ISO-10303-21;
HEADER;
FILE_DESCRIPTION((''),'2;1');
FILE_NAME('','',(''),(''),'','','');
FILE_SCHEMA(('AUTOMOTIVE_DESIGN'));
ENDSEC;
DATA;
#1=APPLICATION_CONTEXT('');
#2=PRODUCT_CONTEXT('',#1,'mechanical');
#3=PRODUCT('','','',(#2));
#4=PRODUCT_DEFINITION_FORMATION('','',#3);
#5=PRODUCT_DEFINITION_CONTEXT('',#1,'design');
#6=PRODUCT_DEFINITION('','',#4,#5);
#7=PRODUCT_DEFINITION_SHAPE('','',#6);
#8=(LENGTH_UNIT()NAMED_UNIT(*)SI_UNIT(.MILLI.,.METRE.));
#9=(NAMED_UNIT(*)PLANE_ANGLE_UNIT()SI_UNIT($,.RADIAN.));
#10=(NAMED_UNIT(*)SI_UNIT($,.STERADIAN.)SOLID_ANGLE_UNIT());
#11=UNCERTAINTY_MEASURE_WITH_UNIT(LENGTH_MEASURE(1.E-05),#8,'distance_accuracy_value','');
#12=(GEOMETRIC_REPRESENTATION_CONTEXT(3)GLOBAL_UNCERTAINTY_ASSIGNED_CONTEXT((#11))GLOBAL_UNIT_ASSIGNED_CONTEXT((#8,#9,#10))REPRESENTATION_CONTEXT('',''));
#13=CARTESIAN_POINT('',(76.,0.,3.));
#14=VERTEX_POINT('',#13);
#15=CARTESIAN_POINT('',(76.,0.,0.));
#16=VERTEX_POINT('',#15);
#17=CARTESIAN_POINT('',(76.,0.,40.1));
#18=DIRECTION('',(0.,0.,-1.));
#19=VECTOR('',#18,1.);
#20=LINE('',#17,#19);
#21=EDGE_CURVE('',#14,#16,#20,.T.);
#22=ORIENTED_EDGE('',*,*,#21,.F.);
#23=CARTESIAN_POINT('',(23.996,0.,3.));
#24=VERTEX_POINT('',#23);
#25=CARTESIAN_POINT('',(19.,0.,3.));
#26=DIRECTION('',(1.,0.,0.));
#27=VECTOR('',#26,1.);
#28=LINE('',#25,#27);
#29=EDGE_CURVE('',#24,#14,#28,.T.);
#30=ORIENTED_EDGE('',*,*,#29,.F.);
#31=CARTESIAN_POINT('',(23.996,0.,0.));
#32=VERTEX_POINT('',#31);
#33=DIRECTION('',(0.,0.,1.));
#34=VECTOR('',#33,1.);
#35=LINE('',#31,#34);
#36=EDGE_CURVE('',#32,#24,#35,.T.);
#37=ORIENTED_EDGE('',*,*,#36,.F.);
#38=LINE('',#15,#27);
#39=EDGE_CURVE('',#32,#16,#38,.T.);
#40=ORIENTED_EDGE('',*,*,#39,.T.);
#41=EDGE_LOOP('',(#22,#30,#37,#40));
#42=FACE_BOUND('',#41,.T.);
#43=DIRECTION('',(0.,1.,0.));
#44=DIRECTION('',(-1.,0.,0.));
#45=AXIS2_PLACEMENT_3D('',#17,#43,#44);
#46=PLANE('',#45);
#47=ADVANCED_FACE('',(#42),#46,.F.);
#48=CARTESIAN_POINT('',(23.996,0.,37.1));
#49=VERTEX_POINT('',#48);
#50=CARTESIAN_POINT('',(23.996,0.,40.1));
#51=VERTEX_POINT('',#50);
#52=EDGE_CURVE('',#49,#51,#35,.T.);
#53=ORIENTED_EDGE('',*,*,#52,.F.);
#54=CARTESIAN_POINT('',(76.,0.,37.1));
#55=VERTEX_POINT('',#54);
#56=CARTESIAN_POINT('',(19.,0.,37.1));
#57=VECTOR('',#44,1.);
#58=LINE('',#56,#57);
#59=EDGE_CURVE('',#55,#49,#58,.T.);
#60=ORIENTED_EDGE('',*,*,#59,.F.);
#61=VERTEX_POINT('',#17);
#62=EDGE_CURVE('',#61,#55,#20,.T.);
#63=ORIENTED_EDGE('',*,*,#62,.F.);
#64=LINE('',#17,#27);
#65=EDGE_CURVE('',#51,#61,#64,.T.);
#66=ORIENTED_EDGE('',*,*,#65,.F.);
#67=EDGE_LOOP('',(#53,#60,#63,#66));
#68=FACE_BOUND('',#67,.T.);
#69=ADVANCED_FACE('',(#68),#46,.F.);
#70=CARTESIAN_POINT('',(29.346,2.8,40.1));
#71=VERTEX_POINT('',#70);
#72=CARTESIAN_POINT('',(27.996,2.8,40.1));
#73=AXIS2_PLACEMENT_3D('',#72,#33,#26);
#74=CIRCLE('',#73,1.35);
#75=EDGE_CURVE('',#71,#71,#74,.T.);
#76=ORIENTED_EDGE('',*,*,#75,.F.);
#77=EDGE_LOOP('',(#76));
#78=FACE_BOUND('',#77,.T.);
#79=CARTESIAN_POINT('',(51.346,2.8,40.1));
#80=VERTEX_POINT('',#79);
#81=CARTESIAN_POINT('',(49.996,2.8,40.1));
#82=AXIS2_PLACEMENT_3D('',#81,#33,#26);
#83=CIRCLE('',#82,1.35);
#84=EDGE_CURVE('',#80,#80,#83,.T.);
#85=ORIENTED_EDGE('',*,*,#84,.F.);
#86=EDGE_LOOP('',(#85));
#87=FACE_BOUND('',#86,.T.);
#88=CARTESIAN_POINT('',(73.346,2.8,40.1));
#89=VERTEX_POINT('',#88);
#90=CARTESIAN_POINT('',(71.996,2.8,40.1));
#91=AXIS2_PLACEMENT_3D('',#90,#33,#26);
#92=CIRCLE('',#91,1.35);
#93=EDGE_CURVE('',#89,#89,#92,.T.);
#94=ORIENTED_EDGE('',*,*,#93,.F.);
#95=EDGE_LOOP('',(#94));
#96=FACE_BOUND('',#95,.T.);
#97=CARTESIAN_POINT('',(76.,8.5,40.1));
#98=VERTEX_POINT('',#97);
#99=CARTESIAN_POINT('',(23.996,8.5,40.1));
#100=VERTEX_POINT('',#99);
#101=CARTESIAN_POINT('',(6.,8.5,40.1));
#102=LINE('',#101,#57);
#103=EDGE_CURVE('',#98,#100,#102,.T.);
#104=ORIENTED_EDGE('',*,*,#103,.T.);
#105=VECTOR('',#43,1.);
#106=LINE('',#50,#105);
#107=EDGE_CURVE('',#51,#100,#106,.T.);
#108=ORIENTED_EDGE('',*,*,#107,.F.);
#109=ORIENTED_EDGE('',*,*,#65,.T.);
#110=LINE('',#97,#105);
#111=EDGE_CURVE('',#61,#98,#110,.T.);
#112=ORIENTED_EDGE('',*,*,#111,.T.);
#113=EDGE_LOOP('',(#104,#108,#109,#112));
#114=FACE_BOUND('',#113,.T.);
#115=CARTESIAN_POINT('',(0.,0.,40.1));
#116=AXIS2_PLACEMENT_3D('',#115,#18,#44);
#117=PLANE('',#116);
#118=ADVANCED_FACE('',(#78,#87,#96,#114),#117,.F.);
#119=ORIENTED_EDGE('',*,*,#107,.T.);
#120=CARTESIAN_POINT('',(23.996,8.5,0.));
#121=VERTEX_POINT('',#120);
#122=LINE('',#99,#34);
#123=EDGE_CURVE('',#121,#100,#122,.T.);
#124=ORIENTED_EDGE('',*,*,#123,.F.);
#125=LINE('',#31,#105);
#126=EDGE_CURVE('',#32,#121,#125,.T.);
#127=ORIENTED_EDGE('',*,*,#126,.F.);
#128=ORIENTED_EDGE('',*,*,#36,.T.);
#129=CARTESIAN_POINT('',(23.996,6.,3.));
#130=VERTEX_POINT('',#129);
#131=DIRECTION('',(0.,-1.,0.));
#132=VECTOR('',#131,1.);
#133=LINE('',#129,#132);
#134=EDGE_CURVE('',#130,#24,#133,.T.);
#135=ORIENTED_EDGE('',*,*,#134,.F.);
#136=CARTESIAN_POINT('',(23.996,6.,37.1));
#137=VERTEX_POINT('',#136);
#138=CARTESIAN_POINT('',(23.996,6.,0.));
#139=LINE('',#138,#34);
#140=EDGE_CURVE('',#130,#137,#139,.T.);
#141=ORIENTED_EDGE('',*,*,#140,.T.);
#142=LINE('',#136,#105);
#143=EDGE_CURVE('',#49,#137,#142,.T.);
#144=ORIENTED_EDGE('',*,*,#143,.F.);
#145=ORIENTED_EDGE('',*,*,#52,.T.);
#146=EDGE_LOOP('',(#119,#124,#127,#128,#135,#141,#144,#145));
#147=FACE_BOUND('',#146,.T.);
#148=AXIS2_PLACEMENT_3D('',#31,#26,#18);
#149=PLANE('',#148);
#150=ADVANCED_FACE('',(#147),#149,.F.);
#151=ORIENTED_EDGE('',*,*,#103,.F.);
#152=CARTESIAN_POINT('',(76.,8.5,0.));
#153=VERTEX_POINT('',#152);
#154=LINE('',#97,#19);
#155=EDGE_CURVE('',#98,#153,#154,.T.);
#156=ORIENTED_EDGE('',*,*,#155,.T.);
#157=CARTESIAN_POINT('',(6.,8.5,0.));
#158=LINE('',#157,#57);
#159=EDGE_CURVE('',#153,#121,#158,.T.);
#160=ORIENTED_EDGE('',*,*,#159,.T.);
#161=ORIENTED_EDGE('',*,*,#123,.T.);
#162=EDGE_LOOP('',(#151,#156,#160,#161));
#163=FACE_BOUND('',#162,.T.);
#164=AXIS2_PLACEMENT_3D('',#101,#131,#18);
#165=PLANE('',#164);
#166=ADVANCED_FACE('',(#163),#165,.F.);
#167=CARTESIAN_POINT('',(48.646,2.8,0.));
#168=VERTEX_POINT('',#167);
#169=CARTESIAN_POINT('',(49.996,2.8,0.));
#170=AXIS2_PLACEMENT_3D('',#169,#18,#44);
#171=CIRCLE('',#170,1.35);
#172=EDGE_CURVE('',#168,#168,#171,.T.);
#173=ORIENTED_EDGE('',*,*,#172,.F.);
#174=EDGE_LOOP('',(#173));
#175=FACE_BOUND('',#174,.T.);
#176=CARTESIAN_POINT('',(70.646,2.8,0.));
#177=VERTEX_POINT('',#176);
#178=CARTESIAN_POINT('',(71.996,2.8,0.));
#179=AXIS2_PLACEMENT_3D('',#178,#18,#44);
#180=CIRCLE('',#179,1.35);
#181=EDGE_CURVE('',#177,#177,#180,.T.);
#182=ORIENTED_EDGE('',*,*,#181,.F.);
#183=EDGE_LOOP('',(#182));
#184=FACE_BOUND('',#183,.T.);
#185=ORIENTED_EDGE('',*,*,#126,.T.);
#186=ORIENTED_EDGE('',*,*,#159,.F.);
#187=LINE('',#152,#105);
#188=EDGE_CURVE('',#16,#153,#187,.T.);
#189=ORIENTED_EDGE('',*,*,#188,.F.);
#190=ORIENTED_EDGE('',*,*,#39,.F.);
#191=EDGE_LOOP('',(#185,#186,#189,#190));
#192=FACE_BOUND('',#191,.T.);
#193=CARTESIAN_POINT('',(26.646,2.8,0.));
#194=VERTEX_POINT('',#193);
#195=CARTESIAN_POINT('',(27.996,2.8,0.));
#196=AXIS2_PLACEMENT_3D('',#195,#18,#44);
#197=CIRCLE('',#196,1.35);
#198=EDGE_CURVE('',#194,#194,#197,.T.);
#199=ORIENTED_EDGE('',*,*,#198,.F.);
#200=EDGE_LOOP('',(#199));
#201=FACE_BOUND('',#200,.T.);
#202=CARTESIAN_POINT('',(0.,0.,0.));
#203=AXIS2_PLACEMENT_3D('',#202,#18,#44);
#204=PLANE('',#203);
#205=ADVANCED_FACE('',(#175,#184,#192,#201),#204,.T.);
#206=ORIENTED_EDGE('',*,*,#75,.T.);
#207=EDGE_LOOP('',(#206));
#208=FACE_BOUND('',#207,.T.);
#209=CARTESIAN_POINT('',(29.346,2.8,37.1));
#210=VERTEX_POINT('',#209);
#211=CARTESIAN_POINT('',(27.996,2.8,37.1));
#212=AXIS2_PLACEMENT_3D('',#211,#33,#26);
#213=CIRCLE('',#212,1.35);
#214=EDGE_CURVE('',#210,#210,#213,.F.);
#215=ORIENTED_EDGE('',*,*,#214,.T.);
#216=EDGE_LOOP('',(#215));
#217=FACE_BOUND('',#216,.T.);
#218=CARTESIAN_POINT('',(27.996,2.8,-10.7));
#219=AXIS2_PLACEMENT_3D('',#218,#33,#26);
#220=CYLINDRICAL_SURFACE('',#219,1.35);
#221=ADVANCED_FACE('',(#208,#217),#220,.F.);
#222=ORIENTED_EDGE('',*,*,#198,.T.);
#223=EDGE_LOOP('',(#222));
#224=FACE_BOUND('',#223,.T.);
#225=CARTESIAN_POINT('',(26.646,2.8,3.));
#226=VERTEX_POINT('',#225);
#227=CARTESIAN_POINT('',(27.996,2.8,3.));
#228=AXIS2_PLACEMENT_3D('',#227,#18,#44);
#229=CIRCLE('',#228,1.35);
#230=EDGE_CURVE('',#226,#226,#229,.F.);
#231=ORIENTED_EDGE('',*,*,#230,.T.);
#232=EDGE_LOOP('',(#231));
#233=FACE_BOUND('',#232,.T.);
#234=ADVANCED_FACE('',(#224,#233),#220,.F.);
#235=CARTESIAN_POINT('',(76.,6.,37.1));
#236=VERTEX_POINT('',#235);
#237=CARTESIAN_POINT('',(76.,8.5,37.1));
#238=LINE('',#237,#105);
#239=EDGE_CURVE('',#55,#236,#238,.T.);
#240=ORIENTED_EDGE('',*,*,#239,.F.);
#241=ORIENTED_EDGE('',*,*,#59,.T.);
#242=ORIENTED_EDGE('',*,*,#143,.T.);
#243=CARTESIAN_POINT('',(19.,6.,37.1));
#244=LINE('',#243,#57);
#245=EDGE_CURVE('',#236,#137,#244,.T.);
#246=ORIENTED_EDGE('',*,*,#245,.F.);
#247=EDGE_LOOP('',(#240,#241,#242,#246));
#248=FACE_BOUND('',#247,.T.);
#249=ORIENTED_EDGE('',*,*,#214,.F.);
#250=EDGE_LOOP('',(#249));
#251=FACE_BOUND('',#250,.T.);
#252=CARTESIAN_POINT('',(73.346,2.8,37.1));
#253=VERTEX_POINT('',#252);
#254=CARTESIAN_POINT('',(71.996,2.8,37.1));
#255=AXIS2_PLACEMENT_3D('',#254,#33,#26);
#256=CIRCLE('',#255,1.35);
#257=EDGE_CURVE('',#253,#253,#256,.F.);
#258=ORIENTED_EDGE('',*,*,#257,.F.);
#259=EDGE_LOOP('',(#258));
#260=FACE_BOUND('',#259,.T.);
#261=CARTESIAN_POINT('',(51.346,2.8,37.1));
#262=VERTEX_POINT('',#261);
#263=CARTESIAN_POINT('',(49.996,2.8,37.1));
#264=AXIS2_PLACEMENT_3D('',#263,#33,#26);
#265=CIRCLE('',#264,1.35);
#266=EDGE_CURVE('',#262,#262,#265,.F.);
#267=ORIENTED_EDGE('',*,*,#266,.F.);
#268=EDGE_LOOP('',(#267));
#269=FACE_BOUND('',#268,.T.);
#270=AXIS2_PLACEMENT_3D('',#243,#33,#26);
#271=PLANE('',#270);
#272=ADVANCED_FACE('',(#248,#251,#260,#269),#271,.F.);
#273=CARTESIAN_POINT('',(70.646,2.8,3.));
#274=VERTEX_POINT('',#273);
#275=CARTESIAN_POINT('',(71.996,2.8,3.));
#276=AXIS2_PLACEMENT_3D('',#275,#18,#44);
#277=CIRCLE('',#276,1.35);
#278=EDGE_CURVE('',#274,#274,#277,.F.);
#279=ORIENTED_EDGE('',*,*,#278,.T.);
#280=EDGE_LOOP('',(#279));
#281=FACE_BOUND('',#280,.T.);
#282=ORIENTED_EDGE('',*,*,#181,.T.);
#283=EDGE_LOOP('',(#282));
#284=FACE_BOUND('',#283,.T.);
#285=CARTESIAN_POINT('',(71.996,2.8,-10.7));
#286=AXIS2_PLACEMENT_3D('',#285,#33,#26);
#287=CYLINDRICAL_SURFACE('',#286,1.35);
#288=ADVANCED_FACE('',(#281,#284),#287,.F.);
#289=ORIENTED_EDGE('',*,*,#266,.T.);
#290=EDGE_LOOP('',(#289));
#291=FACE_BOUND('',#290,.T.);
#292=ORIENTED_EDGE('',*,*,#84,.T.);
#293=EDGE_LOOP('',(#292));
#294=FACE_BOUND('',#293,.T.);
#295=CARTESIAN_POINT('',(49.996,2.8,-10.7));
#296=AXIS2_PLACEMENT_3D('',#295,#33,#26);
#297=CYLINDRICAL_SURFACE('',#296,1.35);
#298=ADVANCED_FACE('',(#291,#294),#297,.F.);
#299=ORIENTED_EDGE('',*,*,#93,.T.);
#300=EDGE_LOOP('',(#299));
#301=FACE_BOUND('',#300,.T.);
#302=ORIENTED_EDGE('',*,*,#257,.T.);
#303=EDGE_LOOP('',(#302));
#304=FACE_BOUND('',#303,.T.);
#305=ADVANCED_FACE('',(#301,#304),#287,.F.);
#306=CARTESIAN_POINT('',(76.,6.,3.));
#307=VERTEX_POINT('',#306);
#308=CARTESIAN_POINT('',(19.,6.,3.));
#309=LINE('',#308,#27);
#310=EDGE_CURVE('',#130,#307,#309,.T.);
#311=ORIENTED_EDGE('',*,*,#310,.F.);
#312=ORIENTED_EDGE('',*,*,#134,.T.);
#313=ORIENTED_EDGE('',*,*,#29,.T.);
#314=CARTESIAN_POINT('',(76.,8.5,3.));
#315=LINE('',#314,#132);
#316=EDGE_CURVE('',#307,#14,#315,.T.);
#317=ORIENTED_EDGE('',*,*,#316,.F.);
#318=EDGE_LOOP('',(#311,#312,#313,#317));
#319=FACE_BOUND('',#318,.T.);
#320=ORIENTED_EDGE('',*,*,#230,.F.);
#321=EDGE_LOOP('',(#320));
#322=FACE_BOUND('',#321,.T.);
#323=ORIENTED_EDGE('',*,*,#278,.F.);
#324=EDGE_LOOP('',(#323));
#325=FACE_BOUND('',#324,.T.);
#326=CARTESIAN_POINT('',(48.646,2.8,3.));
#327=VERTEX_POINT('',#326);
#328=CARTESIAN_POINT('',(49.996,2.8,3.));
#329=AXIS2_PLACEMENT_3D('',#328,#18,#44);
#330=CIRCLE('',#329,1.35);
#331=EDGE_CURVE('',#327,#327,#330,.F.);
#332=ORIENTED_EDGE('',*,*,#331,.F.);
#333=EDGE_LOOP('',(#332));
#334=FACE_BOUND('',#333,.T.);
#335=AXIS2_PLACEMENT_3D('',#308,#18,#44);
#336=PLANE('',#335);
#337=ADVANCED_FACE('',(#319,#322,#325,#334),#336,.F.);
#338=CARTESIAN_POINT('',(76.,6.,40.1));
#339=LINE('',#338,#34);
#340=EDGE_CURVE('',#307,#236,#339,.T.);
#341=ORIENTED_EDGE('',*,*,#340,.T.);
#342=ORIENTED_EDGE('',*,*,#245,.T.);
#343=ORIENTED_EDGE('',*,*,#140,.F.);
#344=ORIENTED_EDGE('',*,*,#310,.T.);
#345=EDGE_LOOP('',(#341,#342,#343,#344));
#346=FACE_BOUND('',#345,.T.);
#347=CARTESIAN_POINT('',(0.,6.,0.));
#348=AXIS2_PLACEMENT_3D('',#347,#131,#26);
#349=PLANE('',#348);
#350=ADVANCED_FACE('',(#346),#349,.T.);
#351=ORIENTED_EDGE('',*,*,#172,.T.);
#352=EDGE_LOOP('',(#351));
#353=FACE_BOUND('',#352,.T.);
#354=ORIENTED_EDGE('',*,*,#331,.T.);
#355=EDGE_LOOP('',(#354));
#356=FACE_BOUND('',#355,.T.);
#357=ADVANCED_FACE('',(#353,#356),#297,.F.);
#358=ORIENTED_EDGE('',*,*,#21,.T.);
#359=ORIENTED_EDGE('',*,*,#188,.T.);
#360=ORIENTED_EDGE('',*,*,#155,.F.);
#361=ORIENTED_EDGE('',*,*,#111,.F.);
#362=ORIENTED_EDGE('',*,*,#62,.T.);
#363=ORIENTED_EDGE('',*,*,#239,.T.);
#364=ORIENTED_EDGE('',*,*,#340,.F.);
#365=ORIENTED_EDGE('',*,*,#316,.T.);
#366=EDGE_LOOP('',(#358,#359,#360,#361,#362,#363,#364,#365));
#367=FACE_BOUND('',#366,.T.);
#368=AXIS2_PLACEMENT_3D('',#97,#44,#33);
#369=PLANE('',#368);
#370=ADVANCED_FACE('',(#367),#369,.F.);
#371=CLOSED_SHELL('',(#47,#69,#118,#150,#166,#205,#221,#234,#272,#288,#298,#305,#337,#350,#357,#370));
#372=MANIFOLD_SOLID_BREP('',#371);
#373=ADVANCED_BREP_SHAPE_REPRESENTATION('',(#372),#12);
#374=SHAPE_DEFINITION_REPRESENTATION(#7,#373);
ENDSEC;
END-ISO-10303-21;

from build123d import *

# Parameters (mm, degrees)
BOSS_EXTRUDE1_DEPTH = 40.1
SKETCH3_R           = 1.35
CUT_EXTRUDE2_DEPTH  = 50.8
SKETCH4_R           = 1.016
CUT_EXTRUDE3_DEPTH  = 50.8
SKETCH6_W           = 62.086073973
SKETCH6_H           = 34.1
CUT_EXTRUDE4_DEPTH  = 6
SKETCH17_W          = 33.483743456
SKETCH17_H          = 71.762692688
CUT_EXTRUDE5_DEPTH  = 101.73954578


with BuildPart() as part:
    # Sketch1 → Boss-Extrude1 (new body)
    with BuildSketch(Plane.XY):
        Polygon((0, 0), (0, 52.578), (6, 52.578), (6, 8.5), (76, 8.5), (76, 0), align=None)
    extrude(amount=BOSS_EXTRUDE1_DEPTH)

    # Sketch3 → Cut-Extrude2 (cut)
    with BuildSketch(Plane.XY.offset(40.1)):
        with Locations((27.996, 2.8)):
            Circle(SKETCH3_R)
        with Locations((49.996, 2.8)):
            Circle(SKETCH3_R)
        with Locations((71.996, 2.8)):
            Circle(SKETCH3_R)
    extrude(amount=-CUT_EXTRUDE2_DEPTH, mode=Mode.SUBTRACT)

    # Sketch4 → Cut-Extrude3 (cut)
    with BuildSketch(Plane.ZY):
        with Locations((27.88, 17.6)):
            Circle(SKETCH4_R)
        with Locations(Location((11.88, 17.6, 0), (0, 0, 270))):
            Circle(SKETCH4_R)
        with Locations((27.88, 49.6)):
            Circle(SKETCH4_R)
        with Locations(Location((11.88, 49.6, 0), (0, 0, 270))):
            Circle(SKETCH4_R)
    extrude(amount=-CUT_EXTRUDE3_DEPTH, mode=Mode.SUBTRACT)

    # Sketch6 → Cut-Extrude4 (cut)
    with BuildSketch(Plane.XZ):
        with Locations((50.043036987, 20.05)):
            Rectangle(SKETCH6_W, SKETCH6_H)
    extrude(amount=-CUT_EXTRUDE4_DEPTH, mode=Mode.SUBTRACT)

    # Sketch17 → Cut-Extrude5 (cut, through all)
    with BuildSketch(Plane.XY.offset(40.1)):
        with Locations((7.254128272, 35.881346344)):
            Rectangle(SKETCH17_W, SKETCH17_H)
    extrude(amount=-CUT_EXTRUDE5_DEPTH, mode=Mode.SUBTRACT)


solid = part.part
